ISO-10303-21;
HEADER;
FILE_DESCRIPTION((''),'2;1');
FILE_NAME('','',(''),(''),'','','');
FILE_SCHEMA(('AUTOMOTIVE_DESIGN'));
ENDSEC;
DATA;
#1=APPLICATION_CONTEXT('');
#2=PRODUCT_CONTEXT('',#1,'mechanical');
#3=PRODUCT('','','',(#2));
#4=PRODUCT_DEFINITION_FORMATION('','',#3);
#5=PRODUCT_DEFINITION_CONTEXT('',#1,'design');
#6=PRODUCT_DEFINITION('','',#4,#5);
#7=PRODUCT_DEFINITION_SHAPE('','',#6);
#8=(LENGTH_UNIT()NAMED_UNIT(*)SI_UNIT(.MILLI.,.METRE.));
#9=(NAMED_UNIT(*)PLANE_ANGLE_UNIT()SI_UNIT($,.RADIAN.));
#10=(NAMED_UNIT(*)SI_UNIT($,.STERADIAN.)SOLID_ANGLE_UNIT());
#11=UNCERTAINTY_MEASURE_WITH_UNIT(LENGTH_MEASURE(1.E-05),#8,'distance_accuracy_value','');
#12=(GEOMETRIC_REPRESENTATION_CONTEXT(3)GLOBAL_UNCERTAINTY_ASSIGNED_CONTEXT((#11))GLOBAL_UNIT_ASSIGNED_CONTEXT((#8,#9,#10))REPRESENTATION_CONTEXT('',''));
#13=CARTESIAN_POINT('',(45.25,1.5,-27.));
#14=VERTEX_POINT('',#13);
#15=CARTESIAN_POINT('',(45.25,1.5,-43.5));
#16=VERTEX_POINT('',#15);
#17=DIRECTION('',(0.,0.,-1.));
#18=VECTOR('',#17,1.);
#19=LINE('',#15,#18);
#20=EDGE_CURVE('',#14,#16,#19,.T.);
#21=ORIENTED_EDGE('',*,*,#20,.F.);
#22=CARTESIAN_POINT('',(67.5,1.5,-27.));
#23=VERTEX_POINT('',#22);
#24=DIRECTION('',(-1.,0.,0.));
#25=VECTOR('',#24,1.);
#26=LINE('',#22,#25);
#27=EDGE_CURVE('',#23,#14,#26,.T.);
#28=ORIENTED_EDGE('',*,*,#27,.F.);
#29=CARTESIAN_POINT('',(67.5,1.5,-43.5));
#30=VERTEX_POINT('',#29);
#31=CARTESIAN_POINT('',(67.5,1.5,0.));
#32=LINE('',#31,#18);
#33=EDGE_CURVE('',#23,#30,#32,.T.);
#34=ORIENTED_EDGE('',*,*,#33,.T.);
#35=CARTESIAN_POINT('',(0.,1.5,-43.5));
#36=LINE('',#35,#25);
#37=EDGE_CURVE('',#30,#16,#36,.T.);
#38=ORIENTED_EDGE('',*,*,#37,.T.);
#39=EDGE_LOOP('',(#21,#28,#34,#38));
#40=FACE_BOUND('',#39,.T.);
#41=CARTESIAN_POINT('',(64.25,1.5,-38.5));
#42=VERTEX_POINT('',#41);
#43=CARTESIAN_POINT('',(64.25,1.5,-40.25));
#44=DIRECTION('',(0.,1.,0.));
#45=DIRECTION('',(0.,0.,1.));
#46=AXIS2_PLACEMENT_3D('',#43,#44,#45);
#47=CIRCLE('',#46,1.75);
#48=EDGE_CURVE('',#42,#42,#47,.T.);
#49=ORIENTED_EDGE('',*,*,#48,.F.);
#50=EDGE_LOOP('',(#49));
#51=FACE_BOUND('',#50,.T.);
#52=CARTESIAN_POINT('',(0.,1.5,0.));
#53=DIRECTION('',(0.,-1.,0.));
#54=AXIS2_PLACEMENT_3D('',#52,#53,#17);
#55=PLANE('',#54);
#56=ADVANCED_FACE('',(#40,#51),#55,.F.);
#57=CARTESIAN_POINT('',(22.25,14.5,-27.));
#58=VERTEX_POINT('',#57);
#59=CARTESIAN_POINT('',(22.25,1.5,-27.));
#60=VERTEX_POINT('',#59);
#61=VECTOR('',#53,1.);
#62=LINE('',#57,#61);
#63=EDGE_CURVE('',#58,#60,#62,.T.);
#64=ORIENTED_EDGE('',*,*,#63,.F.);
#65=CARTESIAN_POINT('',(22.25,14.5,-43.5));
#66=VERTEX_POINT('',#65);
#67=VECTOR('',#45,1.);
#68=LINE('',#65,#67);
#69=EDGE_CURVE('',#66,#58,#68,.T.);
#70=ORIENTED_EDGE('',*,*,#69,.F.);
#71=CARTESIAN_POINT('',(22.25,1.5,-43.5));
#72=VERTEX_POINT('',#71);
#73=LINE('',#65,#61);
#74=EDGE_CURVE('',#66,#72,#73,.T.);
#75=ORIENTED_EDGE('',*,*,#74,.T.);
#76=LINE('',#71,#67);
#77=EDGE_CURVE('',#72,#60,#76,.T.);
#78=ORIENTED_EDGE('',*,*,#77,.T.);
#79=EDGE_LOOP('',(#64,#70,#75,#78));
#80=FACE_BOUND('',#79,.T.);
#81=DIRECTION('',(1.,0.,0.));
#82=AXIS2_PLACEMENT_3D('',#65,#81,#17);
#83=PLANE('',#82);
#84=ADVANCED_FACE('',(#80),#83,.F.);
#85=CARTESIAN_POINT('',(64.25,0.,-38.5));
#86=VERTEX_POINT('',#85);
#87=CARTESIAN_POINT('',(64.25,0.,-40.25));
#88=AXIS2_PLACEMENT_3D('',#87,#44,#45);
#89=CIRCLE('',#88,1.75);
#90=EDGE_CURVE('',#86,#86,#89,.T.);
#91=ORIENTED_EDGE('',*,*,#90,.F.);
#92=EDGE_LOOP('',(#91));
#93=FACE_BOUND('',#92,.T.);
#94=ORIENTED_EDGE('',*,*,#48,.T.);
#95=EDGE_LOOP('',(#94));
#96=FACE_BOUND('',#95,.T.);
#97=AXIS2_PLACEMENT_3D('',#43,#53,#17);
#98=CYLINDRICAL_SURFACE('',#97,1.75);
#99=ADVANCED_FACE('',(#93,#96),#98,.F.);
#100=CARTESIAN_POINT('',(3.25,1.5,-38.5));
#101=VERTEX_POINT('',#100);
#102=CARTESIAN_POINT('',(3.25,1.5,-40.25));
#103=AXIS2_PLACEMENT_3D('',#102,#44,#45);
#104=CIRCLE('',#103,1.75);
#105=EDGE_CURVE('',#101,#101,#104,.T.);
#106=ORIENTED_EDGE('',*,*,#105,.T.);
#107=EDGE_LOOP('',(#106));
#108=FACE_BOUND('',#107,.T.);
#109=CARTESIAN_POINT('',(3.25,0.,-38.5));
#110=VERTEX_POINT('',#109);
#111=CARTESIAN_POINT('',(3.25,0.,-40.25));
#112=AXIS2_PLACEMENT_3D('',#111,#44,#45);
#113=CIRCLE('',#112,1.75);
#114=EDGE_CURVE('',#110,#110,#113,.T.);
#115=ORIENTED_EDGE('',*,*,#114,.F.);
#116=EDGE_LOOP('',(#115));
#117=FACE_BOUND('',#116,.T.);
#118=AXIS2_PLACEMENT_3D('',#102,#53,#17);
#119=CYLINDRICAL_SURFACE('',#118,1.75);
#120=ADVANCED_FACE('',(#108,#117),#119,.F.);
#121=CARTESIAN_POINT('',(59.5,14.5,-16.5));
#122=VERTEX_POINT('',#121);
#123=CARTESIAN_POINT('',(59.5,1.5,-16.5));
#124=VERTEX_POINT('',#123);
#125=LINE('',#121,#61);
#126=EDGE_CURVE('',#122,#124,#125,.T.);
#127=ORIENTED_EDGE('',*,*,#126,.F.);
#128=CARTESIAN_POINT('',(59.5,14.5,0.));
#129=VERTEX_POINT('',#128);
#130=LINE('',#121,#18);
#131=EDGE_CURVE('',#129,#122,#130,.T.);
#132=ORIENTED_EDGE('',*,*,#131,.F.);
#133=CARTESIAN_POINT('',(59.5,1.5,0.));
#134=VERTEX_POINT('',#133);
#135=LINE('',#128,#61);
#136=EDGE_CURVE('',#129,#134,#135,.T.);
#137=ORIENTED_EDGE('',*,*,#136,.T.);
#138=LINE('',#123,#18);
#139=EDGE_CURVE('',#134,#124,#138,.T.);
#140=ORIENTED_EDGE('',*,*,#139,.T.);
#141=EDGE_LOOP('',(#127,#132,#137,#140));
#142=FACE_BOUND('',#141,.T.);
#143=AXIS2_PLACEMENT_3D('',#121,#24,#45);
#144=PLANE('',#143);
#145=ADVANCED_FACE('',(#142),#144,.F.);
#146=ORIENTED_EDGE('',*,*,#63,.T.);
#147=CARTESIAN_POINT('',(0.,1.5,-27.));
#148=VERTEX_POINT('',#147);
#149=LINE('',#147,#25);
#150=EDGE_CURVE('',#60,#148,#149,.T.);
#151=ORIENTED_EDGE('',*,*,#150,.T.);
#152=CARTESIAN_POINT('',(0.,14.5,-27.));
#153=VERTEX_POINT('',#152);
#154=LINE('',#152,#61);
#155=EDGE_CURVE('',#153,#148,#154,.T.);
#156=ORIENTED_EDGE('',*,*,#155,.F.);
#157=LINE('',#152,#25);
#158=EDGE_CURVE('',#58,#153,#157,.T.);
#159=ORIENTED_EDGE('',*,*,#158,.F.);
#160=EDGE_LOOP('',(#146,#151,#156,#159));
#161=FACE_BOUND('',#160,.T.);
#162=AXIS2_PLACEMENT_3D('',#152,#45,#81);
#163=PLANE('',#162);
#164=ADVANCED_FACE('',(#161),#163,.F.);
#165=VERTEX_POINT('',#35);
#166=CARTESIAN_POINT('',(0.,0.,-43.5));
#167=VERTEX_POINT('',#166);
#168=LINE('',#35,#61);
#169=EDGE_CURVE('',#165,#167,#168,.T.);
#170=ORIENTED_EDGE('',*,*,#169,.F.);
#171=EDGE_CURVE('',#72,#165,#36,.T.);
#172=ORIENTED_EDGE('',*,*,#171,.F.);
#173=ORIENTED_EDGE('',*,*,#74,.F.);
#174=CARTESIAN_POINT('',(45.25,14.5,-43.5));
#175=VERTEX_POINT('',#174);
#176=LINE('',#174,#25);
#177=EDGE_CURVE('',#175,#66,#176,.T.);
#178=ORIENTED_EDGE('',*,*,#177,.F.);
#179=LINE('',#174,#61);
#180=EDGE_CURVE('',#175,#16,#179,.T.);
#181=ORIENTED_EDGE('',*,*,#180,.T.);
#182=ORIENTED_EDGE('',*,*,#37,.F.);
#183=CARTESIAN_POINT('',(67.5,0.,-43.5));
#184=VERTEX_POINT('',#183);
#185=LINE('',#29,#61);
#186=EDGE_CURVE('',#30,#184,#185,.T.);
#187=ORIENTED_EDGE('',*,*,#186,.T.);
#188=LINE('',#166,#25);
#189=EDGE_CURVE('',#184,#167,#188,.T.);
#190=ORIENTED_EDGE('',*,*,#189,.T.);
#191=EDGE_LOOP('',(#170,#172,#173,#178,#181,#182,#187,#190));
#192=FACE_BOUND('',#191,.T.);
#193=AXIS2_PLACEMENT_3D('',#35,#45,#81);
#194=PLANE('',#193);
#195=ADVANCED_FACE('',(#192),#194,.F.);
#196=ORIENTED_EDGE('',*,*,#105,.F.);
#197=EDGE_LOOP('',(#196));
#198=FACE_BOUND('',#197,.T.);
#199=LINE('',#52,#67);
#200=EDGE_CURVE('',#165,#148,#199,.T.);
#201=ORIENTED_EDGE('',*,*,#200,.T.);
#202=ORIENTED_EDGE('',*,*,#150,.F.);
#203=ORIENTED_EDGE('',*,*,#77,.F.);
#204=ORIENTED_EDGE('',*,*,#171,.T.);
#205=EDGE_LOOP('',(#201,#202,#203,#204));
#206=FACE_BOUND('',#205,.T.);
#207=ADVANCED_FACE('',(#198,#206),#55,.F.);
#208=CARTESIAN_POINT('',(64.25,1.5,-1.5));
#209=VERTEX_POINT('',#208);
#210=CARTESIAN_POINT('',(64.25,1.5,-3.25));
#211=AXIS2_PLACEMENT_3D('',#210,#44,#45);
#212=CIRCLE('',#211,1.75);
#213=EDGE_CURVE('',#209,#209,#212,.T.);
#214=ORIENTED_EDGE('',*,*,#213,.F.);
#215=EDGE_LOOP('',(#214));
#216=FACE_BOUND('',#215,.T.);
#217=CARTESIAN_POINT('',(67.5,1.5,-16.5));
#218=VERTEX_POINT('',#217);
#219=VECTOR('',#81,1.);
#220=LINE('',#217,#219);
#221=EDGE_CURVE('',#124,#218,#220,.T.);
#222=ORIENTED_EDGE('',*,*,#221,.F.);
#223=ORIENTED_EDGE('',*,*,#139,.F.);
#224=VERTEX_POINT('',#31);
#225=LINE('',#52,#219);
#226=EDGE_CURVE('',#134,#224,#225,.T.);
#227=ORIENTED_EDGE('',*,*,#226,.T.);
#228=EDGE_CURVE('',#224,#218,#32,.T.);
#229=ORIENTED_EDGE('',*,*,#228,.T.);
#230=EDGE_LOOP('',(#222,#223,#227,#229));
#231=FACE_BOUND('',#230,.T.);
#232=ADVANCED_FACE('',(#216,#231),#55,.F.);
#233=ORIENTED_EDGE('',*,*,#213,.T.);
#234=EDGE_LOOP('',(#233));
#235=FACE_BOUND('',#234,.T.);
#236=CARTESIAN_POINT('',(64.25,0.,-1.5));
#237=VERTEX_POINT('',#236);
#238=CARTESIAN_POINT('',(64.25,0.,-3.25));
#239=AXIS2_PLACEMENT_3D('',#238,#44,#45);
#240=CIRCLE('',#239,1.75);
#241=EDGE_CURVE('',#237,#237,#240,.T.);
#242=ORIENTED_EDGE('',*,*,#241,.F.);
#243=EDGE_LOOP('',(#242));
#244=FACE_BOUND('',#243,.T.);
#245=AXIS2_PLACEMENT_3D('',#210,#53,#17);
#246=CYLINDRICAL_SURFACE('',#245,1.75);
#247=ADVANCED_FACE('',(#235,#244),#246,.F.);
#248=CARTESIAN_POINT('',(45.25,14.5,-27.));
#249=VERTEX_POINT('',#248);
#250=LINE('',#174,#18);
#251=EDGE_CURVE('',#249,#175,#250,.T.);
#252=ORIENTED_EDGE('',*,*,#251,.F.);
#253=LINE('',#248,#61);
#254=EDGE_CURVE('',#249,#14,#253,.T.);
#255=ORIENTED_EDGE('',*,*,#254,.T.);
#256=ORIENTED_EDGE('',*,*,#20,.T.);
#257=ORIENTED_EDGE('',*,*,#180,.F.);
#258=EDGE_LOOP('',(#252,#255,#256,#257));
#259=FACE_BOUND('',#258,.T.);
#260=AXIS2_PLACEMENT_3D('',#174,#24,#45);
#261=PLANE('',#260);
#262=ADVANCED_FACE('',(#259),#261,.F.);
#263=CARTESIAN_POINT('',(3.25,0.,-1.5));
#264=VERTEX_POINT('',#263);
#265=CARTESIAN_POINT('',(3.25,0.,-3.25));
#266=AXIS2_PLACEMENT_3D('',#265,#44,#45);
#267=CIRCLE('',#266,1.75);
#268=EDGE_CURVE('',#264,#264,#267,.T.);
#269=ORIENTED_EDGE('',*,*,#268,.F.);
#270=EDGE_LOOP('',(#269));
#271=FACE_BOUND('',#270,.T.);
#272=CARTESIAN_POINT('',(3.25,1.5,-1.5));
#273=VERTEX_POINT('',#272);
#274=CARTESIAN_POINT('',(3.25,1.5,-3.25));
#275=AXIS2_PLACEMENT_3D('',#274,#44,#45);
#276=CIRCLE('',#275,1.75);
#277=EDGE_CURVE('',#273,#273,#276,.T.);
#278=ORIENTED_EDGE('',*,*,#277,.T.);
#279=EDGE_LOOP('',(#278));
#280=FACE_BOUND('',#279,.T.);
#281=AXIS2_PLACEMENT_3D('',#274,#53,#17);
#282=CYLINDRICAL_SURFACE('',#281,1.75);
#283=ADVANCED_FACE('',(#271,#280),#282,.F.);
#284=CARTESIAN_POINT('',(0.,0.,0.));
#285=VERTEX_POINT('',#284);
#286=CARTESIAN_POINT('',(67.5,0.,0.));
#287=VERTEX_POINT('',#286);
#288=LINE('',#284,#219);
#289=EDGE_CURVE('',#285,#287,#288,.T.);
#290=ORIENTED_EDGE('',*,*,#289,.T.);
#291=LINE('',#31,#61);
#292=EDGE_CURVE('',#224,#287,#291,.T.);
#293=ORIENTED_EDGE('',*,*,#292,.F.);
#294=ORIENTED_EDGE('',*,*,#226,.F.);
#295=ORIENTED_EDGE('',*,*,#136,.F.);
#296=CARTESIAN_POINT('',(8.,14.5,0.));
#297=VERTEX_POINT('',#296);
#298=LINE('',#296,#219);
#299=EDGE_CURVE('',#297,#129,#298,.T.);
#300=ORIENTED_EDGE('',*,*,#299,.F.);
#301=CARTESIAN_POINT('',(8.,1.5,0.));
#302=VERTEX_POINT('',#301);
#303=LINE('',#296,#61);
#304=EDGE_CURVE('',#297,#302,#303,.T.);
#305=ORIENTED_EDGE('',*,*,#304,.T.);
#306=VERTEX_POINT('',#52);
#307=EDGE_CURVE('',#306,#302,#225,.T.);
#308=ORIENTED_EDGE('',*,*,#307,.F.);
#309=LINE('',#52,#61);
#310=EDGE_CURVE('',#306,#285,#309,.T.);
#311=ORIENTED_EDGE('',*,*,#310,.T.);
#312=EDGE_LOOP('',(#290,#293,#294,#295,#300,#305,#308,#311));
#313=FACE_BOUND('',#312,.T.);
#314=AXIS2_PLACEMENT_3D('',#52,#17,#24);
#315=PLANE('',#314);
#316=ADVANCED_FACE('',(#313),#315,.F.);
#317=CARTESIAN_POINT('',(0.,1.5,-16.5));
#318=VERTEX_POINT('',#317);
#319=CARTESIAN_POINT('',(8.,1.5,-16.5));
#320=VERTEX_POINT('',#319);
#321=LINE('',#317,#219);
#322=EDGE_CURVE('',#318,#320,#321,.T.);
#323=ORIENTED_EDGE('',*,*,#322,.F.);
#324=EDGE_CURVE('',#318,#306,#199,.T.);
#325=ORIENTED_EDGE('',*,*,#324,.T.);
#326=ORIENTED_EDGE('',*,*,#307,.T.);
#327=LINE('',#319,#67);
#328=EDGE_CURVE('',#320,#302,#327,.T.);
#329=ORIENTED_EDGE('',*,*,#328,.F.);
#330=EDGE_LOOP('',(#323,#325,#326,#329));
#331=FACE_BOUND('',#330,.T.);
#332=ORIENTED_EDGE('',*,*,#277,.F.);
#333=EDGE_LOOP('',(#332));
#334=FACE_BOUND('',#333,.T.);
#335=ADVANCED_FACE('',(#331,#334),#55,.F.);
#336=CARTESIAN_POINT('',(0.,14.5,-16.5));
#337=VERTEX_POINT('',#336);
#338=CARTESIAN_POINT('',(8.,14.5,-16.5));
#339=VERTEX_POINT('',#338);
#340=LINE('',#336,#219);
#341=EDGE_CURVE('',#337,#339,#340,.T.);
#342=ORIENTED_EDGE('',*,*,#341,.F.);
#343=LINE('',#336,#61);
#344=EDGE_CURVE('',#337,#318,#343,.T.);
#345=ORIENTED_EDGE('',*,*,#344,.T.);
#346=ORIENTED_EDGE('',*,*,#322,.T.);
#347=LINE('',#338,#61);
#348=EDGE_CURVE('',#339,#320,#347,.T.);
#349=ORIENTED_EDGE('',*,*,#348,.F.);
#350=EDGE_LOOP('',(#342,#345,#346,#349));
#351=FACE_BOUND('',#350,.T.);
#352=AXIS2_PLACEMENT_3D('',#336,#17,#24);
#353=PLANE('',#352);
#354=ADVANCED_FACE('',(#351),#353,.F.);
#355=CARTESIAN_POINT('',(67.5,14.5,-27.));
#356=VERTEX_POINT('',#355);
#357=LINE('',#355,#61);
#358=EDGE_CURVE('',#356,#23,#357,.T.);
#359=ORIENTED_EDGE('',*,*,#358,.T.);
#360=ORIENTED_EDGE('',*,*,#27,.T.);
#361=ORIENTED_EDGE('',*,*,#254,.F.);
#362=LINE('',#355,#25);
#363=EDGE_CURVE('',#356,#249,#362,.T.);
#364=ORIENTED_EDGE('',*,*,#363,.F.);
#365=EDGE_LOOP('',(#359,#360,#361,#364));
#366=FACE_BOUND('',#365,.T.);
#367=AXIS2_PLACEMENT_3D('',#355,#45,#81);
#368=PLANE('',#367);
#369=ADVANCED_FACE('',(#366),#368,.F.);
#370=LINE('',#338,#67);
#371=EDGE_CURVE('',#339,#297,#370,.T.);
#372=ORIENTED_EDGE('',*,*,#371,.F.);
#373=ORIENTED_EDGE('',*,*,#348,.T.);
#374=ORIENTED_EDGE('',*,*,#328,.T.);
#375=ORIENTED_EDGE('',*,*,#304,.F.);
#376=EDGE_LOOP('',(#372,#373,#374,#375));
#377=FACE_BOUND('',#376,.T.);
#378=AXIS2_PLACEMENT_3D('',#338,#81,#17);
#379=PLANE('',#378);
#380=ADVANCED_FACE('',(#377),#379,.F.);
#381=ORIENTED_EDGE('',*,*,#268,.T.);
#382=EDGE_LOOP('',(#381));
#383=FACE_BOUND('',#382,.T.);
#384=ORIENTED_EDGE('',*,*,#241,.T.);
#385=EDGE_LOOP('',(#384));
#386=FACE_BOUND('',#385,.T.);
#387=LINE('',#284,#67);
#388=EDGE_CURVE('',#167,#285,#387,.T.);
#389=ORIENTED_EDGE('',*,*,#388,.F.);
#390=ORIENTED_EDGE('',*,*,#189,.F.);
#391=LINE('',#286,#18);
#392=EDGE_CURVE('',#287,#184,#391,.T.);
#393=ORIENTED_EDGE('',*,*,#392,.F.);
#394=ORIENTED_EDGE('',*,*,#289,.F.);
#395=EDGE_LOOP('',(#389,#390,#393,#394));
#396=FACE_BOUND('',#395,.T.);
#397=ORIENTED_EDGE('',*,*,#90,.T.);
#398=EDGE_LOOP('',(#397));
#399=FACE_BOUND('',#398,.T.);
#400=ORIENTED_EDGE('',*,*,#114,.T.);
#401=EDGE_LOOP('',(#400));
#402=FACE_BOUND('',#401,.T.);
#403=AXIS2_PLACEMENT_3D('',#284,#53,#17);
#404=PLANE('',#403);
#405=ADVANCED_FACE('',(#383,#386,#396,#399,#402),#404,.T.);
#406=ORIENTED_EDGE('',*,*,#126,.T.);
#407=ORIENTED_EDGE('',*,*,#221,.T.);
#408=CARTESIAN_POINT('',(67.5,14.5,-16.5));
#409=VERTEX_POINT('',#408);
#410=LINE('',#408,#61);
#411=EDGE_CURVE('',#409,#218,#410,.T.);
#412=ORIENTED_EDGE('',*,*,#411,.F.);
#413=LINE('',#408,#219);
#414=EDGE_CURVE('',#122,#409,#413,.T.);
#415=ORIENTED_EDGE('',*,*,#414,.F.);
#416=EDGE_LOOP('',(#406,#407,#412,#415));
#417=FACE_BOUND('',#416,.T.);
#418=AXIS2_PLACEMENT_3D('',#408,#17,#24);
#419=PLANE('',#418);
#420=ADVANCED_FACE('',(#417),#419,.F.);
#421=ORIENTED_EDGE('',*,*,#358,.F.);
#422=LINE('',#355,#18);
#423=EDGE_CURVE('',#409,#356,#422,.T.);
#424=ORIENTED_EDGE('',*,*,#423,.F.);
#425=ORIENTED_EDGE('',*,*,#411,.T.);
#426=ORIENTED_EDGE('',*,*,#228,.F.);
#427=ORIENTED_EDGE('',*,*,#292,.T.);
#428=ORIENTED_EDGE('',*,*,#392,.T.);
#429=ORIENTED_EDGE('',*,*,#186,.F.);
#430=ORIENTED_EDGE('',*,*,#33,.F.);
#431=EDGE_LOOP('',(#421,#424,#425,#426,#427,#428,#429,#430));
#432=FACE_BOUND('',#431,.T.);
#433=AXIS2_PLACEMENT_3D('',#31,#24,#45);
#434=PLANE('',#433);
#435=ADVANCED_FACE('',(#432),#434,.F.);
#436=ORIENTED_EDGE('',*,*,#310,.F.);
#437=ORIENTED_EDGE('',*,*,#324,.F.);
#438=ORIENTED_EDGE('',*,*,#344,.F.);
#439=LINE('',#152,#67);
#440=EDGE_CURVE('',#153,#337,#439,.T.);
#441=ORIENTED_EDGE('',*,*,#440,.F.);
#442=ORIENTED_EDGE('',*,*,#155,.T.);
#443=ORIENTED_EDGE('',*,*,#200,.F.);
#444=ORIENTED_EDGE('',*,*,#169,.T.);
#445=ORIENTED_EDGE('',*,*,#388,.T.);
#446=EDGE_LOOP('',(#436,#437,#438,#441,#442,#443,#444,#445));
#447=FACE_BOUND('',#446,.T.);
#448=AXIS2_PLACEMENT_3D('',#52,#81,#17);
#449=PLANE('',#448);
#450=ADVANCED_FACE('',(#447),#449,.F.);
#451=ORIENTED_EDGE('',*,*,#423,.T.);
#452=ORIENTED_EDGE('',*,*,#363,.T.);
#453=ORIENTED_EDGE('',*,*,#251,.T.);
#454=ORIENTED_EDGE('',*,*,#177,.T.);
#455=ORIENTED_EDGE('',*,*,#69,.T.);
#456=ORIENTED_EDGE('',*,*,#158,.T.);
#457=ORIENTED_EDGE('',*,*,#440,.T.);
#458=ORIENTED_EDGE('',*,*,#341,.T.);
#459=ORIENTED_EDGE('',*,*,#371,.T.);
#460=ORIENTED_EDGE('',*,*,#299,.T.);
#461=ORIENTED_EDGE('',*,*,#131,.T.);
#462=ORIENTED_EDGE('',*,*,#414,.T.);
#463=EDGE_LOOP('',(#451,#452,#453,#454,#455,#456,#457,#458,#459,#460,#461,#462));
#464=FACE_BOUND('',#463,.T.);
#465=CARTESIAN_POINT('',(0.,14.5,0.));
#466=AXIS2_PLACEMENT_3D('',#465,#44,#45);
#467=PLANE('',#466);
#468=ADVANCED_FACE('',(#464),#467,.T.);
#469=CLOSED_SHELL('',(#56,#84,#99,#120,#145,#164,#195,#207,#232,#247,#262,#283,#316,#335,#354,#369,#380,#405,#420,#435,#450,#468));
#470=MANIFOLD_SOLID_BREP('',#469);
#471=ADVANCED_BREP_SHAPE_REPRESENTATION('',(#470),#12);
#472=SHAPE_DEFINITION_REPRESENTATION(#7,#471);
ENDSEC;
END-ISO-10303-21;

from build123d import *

# Parameters (mm, degrees)
ESQUISSE1_W        = 67.5
ESQUISSE1_H        = 43.5
ESQUISSE1_R        = 1.75
BOSS_EXTRU_1_DEPTH = 1.5
BOSS_EXTRU_2_DEPTH = 13


with BuildPart() as part:
    # Esquisse1 → Boss.-Extru.1 (new body)
    with BuildSketch(Plane(origin=(0, 0, 0), x_dir=(1, 0, 0), z_dir=(0, 1, 0))):
        with Locations((33.75, 21.75)):
            Rectangle(ESQUISSE1_W, ESQUISSE1_H)
        with Locations((3.25, 40.25)):
            Circle(ESQUISSE1_R, mode=Mode.SUBTRACT)
        with Locations((64.25, 40.25)):
            Circle(ESQUISSE1_R, mode=Mode.SUBTRACT)
        with Locations((64.25, 3.25)):
            Circle(ESQUISSE1_R, mode=Mode.SUBTRACT)
        with Locations((3.25, 3.25)):
            Circle(ESQUISSE1_R, mode=Mode.SUBTRACT)
    extrude(amount=BOSS_EXTRU_1_DEPTH)

    # Esquisse3 → Boss.-Extru.2 (add)
    with BuildSketch(Plane(origin=(0, 1.5, 0), x_dir=(1, 0, 0), z_dir=(0, 1, 0))):
        Polygon((45.25, 43.5), (22.25, 43.5), (22.25, 27), (0, 27), (0, 16.5), (8, 16.5), (8, 0), (59.5, 0), (59.5, 16.5), (67.5, 16.5), (67.5, 27), (45.25, 27), align=None)
    extrude(amount=BOSS_EXTRU_2_DEPTH)


solid = part.part
